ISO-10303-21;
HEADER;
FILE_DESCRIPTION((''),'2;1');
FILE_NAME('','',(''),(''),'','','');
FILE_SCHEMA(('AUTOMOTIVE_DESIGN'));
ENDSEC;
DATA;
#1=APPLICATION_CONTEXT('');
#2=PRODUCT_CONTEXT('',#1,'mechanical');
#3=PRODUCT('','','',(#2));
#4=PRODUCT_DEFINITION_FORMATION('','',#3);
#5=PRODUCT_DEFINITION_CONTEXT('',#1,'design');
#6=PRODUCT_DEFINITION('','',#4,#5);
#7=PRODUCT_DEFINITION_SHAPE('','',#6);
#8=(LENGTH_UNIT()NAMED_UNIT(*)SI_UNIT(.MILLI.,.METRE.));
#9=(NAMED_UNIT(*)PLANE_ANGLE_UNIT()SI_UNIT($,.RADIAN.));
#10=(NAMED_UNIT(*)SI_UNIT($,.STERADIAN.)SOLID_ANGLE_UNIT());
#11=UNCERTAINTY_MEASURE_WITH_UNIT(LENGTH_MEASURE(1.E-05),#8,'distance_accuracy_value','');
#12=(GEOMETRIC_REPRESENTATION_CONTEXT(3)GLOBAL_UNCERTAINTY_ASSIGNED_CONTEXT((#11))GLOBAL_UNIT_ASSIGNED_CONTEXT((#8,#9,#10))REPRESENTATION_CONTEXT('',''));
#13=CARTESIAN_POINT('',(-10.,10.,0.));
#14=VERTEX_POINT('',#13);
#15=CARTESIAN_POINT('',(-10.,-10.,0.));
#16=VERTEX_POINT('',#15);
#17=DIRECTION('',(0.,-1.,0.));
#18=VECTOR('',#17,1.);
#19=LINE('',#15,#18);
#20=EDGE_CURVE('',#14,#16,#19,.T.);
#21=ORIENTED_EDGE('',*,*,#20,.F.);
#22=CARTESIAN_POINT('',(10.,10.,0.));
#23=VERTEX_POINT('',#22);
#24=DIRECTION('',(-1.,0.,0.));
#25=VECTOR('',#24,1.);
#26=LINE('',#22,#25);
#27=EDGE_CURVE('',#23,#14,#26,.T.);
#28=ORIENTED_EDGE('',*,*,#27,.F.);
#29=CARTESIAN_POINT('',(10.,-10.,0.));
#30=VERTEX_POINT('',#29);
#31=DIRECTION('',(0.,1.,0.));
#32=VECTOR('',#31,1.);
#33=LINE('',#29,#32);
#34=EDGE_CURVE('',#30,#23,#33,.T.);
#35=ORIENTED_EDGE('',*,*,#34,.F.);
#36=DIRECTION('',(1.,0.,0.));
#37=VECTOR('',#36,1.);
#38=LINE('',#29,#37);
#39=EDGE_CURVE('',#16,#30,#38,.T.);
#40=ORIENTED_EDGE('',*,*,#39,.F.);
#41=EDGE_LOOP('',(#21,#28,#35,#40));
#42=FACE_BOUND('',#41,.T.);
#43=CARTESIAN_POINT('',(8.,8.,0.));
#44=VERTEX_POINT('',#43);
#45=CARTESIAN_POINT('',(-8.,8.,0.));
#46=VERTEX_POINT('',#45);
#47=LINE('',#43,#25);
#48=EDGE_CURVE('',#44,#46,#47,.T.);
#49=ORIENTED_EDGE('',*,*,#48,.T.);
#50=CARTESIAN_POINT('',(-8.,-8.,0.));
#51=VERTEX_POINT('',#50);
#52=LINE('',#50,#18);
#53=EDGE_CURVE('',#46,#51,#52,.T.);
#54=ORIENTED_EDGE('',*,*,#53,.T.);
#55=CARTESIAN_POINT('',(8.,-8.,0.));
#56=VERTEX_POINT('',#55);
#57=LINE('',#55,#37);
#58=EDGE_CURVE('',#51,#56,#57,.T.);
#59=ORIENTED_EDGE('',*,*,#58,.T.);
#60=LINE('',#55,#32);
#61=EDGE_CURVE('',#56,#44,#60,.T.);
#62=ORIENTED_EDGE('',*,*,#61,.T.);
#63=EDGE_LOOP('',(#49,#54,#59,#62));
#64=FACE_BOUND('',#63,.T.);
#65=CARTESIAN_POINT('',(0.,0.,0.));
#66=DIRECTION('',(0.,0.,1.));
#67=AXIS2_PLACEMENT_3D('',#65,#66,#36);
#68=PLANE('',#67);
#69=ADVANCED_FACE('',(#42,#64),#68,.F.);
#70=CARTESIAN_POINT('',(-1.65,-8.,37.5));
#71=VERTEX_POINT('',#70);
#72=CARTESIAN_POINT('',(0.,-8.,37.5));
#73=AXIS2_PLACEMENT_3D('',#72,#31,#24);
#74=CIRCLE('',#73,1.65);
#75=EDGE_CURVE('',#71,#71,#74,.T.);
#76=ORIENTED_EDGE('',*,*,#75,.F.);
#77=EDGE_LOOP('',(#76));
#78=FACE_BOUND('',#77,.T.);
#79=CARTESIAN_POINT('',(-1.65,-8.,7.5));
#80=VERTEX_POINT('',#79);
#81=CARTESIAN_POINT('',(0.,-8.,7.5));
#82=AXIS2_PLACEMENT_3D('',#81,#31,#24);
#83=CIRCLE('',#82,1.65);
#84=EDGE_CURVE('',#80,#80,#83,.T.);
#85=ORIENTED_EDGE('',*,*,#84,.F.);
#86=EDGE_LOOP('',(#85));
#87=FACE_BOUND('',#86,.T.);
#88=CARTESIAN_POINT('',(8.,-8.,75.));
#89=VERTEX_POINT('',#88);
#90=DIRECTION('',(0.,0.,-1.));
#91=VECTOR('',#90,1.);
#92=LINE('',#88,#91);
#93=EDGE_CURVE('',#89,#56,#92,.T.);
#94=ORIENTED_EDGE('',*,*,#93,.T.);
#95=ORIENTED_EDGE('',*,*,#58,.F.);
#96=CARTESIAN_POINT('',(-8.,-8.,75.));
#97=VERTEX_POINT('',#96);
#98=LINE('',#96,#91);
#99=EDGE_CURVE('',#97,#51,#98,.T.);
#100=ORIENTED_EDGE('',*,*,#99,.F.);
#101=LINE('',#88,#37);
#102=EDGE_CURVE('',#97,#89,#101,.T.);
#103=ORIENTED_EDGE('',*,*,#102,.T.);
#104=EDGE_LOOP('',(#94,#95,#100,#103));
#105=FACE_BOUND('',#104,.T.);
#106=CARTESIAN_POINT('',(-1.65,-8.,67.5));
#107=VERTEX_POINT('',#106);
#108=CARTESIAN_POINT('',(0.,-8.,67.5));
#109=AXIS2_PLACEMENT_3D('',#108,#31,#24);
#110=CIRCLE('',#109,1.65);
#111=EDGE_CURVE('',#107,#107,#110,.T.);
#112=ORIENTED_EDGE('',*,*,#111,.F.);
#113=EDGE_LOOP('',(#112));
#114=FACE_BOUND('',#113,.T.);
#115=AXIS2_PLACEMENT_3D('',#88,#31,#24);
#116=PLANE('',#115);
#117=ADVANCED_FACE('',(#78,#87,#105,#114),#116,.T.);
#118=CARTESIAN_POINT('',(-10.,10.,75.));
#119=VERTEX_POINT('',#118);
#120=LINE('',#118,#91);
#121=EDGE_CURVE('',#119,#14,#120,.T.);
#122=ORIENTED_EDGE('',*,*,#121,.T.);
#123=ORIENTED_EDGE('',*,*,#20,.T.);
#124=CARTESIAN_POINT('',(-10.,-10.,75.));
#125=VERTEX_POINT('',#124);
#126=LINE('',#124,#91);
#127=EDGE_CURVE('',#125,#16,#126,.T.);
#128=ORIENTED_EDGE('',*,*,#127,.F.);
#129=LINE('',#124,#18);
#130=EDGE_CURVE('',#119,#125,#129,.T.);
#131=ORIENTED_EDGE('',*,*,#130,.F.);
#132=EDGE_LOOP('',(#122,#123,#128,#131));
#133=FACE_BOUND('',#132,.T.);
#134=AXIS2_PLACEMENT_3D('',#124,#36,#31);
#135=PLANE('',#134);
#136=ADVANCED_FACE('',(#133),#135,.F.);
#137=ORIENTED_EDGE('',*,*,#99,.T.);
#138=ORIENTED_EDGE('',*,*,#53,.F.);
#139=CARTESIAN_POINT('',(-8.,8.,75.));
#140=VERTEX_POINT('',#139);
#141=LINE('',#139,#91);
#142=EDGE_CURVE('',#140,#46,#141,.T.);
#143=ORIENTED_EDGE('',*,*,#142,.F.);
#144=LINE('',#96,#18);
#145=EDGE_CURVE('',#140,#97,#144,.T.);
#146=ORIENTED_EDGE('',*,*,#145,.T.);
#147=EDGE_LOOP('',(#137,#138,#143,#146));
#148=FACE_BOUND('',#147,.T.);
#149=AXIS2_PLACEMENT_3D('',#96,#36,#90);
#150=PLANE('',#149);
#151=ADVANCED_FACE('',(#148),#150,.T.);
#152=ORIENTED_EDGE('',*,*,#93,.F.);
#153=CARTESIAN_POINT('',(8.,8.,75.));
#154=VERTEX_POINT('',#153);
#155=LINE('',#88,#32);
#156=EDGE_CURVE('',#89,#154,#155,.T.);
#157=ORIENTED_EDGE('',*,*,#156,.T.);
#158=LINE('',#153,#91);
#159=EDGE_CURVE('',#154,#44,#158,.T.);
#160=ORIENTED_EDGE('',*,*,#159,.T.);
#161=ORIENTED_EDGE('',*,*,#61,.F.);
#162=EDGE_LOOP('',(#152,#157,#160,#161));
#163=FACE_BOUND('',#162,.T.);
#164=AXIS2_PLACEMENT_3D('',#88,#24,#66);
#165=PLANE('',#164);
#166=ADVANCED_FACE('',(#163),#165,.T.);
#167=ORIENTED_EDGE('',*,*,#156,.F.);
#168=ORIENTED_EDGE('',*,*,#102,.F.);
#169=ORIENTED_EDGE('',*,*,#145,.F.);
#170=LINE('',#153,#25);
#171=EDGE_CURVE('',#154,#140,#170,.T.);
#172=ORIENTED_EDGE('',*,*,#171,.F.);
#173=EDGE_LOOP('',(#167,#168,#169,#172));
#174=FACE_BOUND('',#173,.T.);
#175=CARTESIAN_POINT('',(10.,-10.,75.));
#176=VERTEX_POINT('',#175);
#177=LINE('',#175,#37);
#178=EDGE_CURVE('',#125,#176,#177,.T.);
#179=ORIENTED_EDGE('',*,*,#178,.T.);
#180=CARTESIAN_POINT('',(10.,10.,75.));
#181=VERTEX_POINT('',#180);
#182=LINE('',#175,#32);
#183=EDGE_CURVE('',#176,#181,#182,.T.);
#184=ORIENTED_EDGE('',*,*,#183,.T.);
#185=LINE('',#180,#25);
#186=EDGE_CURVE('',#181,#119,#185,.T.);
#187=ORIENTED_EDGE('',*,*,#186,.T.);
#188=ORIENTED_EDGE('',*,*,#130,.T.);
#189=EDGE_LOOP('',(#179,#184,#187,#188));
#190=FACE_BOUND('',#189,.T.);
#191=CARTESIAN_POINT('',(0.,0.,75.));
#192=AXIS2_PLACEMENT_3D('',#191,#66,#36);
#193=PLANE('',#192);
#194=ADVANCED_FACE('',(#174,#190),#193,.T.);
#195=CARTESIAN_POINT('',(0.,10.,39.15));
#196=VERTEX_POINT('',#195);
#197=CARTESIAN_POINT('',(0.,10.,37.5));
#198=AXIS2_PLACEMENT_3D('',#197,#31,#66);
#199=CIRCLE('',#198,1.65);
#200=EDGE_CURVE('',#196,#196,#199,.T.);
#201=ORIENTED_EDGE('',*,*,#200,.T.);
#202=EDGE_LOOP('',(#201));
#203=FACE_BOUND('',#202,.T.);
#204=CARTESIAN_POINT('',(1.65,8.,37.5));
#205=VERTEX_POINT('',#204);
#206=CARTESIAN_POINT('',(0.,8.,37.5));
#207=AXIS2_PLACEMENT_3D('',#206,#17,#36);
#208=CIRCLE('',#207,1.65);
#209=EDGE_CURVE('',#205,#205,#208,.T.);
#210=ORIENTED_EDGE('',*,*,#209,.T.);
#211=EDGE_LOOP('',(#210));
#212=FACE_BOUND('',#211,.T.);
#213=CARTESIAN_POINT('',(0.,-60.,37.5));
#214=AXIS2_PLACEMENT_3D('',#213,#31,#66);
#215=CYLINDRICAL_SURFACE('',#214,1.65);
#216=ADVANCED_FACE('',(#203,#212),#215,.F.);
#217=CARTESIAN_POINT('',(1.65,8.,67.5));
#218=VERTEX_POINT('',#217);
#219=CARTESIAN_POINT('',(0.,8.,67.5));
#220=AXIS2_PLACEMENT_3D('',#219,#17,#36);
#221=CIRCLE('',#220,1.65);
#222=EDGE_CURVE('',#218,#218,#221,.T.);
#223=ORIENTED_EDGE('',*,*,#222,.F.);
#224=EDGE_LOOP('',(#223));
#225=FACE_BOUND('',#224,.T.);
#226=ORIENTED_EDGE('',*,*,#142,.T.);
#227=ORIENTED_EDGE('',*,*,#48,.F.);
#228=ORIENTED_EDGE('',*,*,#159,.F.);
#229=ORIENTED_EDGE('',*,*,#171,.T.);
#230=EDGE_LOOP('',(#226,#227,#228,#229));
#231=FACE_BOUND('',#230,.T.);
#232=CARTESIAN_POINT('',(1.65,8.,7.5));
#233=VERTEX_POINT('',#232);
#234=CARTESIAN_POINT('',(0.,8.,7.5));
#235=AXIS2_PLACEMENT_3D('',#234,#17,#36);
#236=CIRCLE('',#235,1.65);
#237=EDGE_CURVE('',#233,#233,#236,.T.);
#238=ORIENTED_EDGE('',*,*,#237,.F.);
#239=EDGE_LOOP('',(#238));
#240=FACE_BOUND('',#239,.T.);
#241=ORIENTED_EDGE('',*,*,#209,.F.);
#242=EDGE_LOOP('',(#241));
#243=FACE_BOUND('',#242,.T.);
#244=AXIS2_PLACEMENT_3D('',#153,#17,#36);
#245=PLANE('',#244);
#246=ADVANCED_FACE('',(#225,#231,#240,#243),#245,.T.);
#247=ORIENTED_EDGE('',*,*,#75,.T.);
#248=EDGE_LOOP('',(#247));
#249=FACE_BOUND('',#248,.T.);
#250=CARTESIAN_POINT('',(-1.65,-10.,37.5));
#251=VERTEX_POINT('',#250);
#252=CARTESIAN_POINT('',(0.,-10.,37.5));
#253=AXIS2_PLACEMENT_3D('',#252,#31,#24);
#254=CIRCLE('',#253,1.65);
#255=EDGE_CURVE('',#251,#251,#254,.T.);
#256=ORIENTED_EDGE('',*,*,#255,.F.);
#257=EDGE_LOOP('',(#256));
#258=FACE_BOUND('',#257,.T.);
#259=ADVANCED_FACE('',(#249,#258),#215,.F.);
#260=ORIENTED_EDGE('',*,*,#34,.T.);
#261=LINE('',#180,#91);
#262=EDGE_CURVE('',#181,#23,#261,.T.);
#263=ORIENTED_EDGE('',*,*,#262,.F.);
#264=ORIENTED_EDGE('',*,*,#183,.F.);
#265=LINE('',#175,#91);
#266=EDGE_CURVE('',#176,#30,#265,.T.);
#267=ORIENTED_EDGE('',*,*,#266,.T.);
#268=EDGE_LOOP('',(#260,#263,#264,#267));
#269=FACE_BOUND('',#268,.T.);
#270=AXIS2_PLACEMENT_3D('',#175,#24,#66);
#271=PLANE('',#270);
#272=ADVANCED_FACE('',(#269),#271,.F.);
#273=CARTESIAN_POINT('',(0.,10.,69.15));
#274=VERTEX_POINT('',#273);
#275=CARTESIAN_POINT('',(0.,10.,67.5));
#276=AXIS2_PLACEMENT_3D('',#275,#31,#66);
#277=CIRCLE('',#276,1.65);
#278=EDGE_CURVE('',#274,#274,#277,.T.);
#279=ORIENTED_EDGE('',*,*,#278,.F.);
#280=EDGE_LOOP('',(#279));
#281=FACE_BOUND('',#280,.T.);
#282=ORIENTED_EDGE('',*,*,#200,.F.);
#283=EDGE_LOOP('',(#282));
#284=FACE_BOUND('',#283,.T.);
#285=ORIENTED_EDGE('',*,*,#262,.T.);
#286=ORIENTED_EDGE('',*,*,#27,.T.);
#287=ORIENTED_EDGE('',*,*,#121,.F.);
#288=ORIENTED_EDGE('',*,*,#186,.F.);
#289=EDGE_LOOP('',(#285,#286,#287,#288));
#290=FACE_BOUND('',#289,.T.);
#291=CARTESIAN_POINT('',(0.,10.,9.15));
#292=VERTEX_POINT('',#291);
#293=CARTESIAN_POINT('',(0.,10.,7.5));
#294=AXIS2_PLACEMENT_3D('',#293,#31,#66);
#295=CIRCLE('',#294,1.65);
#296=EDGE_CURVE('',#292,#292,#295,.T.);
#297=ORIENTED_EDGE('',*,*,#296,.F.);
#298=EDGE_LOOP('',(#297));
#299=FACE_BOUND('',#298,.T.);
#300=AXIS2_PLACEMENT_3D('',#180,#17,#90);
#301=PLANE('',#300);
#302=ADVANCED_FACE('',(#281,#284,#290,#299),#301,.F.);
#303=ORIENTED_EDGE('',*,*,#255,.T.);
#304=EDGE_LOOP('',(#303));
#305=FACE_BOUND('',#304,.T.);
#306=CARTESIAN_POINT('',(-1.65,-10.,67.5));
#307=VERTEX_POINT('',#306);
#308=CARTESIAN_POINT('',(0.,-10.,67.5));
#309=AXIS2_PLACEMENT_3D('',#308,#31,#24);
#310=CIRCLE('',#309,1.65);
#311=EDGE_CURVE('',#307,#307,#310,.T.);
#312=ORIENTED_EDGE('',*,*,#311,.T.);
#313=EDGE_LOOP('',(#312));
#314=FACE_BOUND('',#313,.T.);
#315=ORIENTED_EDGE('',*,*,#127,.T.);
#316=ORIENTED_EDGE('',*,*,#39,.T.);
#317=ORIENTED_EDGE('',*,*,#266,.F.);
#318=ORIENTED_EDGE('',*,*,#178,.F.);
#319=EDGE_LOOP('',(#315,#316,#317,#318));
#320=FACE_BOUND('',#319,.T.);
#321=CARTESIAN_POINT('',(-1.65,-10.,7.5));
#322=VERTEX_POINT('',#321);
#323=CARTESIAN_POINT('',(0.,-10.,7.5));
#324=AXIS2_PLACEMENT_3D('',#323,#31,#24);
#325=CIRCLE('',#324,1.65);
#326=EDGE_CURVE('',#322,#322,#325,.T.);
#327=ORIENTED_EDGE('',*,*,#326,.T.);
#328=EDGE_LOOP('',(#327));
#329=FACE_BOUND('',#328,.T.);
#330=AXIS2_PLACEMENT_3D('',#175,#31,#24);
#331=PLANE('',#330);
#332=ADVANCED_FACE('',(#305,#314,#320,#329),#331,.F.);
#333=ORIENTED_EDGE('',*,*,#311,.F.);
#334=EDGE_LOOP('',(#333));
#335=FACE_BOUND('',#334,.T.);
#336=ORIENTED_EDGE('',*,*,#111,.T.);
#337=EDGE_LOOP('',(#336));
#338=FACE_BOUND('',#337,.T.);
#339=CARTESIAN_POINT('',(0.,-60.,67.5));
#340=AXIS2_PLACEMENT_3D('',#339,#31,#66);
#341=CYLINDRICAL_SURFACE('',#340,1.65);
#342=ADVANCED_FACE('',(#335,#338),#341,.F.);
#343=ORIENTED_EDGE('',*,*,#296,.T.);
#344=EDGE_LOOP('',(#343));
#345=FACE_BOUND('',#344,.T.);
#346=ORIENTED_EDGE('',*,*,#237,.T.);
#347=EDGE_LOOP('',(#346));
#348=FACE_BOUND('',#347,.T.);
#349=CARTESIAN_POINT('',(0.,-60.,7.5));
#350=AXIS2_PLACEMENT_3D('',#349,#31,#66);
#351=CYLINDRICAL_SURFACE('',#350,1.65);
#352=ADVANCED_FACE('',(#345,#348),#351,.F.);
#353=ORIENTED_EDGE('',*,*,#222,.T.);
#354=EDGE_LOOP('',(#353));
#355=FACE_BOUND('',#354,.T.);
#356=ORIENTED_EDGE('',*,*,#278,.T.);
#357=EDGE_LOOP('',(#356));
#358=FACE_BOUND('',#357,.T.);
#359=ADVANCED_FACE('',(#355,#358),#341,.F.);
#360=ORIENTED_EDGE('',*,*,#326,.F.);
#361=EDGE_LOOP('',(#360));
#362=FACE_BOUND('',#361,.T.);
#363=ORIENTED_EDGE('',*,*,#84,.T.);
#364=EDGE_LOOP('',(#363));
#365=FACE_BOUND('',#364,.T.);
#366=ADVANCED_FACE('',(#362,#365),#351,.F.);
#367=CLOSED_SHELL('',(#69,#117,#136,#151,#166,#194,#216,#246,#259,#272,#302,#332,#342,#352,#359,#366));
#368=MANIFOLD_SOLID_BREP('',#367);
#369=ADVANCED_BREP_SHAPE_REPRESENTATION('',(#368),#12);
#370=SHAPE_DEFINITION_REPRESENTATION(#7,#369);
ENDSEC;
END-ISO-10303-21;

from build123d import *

# Parameters (mm, degrees)
SKETCH_1_W          = 20
SKETCH_1_H          = 20
SKETCH_1_W_2        = 16
SKETCH_1_H_2        = 16
EXTRUDE_1_DEPTH     = 75
SKETCH_2_R          = 1.65
CUT_EXTRUDE_1_DEPTH = 70


with BuildPart() as part:
    # 草图1 → 凸台-拉伸1 (new body)
    with BuildSketch(Plane.XY):
        Rectangle(SKETCH_1_W, SKETCH_1_H)
        Rectangle(SKETCH_1_W_2, SKETCH_1_H_2, mode=Mode.SUBTRACT)
    extrude(amount=EXTRUDE_1_DEPTH)

    # 草图2 → 切除-拉伸1 (cut)
    with BuildSketch(Plane(origin=(0, 10, 0), x_dir=(1, 0, 0), z_dir=(0, 1, 0))):
        with Locations(Location((0, -37.5, 0), (0, 0, 270))):
            Circle(SKETCH_2_R)
        with Locations(Location((0, -7.5, 0), (0, 0, 270))):
            Circle(SKETCH_2_R)
        with Locations(Location((0, -67.5, 0), (0, 0, 270))):
            Circle(SKETCH_2_R)
    extrude(amount=-CUT_EXTRUDE_1_DEPTH, mode=Mode.SUBTRACT)


solid = part.part
